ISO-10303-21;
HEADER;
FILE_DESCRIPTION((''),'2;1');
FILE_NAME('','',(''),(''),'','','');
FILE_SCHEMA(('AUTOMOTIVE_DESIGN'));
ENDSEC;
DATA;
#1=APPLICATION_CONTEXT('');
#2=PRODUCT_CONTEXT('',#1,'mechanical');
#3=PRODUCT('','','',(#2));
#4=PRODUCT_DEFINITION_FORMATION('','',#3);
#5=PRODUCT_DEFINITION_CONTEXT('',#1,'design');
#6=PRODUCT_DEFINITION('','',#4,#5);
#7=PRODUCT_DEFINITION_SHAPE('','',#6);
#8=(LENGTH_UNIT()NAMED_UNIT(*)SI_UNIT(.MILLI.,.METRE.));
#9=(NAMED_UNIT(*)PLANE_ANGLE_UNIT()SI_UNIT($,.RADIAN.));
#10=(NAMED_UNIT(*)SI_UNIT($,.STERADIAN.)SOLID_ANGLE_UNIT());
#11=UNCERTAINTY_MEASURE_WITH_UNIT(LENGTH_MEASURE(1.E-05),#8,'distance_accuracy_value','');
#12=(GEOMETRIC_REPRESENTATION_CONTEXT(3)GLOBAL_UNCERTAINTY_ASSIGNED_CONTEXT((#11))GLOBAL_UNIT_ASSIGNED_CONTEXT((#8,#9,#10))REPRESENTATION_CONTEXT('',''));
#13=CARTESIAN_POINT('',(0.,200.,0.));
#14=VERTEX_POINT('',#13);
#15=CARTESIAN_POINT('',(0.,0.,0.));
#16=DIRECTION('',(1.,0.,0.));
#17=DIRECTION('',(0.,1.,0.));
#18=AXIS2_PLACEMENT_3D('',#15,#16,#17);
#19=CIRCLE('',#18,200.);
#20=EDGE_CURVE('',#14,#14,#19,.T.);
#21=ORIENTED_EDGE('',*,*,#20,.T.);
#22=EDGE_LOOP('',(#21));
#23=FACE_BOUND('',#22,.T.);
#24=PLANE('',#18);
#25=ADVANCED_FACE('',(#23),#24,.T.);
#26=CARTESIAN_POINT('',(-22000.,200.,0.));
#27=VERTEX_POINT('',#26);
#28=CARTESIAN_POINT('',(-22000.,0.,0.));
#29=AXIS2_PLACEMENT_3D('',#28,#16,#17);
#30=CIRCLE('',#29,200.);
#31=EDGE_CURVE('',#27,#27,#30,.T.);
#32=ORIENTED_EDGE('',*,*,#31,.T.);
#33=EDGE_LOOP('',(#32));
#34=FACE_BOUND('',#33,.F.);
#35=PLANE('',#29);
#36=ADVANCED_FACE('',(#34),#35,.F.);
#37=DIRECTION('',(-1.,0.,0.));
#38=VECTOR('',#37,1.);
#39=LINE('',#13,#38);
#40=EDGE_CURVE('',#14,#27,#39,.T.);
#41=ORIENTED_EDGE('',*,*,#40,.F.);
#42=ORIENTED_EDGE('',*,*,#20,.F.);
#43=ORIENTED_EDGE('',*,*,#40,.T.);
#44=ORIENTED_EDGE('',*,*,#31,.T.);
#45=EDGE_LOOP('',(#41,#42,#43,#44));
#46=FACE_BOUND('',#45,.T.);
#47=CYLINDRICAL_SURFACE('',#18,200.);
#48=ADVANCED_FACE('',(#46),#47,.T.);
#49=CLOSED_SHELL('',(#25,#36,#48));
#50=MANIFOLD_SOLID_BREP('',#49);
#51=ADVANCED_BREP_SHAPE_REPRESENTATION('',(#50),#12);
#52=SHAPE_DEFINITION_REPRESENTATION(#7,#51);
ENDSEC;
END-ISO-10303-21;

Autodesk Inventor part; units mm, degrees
ref_plane "YZ Plane" through (0, 0, 0) normal (1, 0, 0) x (0, 1, 0)
ref_plane "XZ Plane" through (0, 0, 0) normal (0, 1, 0) x (-1, 0, 0)
ref_plane "XY Plane" through (0, 0, 0) normal (0, 0, 1) x (1, 0, 0)
sketch "Sketch1" plane through (0, 0, 0) normal (1, 0, 0) x (0, 1, 0)
  circle A0 centre (0, 0) radius 200
  dimension "d0" = 400
extrude "Extrusion1" add sketch "Sketch1" against normal blind 22000
properties part number "rod"
